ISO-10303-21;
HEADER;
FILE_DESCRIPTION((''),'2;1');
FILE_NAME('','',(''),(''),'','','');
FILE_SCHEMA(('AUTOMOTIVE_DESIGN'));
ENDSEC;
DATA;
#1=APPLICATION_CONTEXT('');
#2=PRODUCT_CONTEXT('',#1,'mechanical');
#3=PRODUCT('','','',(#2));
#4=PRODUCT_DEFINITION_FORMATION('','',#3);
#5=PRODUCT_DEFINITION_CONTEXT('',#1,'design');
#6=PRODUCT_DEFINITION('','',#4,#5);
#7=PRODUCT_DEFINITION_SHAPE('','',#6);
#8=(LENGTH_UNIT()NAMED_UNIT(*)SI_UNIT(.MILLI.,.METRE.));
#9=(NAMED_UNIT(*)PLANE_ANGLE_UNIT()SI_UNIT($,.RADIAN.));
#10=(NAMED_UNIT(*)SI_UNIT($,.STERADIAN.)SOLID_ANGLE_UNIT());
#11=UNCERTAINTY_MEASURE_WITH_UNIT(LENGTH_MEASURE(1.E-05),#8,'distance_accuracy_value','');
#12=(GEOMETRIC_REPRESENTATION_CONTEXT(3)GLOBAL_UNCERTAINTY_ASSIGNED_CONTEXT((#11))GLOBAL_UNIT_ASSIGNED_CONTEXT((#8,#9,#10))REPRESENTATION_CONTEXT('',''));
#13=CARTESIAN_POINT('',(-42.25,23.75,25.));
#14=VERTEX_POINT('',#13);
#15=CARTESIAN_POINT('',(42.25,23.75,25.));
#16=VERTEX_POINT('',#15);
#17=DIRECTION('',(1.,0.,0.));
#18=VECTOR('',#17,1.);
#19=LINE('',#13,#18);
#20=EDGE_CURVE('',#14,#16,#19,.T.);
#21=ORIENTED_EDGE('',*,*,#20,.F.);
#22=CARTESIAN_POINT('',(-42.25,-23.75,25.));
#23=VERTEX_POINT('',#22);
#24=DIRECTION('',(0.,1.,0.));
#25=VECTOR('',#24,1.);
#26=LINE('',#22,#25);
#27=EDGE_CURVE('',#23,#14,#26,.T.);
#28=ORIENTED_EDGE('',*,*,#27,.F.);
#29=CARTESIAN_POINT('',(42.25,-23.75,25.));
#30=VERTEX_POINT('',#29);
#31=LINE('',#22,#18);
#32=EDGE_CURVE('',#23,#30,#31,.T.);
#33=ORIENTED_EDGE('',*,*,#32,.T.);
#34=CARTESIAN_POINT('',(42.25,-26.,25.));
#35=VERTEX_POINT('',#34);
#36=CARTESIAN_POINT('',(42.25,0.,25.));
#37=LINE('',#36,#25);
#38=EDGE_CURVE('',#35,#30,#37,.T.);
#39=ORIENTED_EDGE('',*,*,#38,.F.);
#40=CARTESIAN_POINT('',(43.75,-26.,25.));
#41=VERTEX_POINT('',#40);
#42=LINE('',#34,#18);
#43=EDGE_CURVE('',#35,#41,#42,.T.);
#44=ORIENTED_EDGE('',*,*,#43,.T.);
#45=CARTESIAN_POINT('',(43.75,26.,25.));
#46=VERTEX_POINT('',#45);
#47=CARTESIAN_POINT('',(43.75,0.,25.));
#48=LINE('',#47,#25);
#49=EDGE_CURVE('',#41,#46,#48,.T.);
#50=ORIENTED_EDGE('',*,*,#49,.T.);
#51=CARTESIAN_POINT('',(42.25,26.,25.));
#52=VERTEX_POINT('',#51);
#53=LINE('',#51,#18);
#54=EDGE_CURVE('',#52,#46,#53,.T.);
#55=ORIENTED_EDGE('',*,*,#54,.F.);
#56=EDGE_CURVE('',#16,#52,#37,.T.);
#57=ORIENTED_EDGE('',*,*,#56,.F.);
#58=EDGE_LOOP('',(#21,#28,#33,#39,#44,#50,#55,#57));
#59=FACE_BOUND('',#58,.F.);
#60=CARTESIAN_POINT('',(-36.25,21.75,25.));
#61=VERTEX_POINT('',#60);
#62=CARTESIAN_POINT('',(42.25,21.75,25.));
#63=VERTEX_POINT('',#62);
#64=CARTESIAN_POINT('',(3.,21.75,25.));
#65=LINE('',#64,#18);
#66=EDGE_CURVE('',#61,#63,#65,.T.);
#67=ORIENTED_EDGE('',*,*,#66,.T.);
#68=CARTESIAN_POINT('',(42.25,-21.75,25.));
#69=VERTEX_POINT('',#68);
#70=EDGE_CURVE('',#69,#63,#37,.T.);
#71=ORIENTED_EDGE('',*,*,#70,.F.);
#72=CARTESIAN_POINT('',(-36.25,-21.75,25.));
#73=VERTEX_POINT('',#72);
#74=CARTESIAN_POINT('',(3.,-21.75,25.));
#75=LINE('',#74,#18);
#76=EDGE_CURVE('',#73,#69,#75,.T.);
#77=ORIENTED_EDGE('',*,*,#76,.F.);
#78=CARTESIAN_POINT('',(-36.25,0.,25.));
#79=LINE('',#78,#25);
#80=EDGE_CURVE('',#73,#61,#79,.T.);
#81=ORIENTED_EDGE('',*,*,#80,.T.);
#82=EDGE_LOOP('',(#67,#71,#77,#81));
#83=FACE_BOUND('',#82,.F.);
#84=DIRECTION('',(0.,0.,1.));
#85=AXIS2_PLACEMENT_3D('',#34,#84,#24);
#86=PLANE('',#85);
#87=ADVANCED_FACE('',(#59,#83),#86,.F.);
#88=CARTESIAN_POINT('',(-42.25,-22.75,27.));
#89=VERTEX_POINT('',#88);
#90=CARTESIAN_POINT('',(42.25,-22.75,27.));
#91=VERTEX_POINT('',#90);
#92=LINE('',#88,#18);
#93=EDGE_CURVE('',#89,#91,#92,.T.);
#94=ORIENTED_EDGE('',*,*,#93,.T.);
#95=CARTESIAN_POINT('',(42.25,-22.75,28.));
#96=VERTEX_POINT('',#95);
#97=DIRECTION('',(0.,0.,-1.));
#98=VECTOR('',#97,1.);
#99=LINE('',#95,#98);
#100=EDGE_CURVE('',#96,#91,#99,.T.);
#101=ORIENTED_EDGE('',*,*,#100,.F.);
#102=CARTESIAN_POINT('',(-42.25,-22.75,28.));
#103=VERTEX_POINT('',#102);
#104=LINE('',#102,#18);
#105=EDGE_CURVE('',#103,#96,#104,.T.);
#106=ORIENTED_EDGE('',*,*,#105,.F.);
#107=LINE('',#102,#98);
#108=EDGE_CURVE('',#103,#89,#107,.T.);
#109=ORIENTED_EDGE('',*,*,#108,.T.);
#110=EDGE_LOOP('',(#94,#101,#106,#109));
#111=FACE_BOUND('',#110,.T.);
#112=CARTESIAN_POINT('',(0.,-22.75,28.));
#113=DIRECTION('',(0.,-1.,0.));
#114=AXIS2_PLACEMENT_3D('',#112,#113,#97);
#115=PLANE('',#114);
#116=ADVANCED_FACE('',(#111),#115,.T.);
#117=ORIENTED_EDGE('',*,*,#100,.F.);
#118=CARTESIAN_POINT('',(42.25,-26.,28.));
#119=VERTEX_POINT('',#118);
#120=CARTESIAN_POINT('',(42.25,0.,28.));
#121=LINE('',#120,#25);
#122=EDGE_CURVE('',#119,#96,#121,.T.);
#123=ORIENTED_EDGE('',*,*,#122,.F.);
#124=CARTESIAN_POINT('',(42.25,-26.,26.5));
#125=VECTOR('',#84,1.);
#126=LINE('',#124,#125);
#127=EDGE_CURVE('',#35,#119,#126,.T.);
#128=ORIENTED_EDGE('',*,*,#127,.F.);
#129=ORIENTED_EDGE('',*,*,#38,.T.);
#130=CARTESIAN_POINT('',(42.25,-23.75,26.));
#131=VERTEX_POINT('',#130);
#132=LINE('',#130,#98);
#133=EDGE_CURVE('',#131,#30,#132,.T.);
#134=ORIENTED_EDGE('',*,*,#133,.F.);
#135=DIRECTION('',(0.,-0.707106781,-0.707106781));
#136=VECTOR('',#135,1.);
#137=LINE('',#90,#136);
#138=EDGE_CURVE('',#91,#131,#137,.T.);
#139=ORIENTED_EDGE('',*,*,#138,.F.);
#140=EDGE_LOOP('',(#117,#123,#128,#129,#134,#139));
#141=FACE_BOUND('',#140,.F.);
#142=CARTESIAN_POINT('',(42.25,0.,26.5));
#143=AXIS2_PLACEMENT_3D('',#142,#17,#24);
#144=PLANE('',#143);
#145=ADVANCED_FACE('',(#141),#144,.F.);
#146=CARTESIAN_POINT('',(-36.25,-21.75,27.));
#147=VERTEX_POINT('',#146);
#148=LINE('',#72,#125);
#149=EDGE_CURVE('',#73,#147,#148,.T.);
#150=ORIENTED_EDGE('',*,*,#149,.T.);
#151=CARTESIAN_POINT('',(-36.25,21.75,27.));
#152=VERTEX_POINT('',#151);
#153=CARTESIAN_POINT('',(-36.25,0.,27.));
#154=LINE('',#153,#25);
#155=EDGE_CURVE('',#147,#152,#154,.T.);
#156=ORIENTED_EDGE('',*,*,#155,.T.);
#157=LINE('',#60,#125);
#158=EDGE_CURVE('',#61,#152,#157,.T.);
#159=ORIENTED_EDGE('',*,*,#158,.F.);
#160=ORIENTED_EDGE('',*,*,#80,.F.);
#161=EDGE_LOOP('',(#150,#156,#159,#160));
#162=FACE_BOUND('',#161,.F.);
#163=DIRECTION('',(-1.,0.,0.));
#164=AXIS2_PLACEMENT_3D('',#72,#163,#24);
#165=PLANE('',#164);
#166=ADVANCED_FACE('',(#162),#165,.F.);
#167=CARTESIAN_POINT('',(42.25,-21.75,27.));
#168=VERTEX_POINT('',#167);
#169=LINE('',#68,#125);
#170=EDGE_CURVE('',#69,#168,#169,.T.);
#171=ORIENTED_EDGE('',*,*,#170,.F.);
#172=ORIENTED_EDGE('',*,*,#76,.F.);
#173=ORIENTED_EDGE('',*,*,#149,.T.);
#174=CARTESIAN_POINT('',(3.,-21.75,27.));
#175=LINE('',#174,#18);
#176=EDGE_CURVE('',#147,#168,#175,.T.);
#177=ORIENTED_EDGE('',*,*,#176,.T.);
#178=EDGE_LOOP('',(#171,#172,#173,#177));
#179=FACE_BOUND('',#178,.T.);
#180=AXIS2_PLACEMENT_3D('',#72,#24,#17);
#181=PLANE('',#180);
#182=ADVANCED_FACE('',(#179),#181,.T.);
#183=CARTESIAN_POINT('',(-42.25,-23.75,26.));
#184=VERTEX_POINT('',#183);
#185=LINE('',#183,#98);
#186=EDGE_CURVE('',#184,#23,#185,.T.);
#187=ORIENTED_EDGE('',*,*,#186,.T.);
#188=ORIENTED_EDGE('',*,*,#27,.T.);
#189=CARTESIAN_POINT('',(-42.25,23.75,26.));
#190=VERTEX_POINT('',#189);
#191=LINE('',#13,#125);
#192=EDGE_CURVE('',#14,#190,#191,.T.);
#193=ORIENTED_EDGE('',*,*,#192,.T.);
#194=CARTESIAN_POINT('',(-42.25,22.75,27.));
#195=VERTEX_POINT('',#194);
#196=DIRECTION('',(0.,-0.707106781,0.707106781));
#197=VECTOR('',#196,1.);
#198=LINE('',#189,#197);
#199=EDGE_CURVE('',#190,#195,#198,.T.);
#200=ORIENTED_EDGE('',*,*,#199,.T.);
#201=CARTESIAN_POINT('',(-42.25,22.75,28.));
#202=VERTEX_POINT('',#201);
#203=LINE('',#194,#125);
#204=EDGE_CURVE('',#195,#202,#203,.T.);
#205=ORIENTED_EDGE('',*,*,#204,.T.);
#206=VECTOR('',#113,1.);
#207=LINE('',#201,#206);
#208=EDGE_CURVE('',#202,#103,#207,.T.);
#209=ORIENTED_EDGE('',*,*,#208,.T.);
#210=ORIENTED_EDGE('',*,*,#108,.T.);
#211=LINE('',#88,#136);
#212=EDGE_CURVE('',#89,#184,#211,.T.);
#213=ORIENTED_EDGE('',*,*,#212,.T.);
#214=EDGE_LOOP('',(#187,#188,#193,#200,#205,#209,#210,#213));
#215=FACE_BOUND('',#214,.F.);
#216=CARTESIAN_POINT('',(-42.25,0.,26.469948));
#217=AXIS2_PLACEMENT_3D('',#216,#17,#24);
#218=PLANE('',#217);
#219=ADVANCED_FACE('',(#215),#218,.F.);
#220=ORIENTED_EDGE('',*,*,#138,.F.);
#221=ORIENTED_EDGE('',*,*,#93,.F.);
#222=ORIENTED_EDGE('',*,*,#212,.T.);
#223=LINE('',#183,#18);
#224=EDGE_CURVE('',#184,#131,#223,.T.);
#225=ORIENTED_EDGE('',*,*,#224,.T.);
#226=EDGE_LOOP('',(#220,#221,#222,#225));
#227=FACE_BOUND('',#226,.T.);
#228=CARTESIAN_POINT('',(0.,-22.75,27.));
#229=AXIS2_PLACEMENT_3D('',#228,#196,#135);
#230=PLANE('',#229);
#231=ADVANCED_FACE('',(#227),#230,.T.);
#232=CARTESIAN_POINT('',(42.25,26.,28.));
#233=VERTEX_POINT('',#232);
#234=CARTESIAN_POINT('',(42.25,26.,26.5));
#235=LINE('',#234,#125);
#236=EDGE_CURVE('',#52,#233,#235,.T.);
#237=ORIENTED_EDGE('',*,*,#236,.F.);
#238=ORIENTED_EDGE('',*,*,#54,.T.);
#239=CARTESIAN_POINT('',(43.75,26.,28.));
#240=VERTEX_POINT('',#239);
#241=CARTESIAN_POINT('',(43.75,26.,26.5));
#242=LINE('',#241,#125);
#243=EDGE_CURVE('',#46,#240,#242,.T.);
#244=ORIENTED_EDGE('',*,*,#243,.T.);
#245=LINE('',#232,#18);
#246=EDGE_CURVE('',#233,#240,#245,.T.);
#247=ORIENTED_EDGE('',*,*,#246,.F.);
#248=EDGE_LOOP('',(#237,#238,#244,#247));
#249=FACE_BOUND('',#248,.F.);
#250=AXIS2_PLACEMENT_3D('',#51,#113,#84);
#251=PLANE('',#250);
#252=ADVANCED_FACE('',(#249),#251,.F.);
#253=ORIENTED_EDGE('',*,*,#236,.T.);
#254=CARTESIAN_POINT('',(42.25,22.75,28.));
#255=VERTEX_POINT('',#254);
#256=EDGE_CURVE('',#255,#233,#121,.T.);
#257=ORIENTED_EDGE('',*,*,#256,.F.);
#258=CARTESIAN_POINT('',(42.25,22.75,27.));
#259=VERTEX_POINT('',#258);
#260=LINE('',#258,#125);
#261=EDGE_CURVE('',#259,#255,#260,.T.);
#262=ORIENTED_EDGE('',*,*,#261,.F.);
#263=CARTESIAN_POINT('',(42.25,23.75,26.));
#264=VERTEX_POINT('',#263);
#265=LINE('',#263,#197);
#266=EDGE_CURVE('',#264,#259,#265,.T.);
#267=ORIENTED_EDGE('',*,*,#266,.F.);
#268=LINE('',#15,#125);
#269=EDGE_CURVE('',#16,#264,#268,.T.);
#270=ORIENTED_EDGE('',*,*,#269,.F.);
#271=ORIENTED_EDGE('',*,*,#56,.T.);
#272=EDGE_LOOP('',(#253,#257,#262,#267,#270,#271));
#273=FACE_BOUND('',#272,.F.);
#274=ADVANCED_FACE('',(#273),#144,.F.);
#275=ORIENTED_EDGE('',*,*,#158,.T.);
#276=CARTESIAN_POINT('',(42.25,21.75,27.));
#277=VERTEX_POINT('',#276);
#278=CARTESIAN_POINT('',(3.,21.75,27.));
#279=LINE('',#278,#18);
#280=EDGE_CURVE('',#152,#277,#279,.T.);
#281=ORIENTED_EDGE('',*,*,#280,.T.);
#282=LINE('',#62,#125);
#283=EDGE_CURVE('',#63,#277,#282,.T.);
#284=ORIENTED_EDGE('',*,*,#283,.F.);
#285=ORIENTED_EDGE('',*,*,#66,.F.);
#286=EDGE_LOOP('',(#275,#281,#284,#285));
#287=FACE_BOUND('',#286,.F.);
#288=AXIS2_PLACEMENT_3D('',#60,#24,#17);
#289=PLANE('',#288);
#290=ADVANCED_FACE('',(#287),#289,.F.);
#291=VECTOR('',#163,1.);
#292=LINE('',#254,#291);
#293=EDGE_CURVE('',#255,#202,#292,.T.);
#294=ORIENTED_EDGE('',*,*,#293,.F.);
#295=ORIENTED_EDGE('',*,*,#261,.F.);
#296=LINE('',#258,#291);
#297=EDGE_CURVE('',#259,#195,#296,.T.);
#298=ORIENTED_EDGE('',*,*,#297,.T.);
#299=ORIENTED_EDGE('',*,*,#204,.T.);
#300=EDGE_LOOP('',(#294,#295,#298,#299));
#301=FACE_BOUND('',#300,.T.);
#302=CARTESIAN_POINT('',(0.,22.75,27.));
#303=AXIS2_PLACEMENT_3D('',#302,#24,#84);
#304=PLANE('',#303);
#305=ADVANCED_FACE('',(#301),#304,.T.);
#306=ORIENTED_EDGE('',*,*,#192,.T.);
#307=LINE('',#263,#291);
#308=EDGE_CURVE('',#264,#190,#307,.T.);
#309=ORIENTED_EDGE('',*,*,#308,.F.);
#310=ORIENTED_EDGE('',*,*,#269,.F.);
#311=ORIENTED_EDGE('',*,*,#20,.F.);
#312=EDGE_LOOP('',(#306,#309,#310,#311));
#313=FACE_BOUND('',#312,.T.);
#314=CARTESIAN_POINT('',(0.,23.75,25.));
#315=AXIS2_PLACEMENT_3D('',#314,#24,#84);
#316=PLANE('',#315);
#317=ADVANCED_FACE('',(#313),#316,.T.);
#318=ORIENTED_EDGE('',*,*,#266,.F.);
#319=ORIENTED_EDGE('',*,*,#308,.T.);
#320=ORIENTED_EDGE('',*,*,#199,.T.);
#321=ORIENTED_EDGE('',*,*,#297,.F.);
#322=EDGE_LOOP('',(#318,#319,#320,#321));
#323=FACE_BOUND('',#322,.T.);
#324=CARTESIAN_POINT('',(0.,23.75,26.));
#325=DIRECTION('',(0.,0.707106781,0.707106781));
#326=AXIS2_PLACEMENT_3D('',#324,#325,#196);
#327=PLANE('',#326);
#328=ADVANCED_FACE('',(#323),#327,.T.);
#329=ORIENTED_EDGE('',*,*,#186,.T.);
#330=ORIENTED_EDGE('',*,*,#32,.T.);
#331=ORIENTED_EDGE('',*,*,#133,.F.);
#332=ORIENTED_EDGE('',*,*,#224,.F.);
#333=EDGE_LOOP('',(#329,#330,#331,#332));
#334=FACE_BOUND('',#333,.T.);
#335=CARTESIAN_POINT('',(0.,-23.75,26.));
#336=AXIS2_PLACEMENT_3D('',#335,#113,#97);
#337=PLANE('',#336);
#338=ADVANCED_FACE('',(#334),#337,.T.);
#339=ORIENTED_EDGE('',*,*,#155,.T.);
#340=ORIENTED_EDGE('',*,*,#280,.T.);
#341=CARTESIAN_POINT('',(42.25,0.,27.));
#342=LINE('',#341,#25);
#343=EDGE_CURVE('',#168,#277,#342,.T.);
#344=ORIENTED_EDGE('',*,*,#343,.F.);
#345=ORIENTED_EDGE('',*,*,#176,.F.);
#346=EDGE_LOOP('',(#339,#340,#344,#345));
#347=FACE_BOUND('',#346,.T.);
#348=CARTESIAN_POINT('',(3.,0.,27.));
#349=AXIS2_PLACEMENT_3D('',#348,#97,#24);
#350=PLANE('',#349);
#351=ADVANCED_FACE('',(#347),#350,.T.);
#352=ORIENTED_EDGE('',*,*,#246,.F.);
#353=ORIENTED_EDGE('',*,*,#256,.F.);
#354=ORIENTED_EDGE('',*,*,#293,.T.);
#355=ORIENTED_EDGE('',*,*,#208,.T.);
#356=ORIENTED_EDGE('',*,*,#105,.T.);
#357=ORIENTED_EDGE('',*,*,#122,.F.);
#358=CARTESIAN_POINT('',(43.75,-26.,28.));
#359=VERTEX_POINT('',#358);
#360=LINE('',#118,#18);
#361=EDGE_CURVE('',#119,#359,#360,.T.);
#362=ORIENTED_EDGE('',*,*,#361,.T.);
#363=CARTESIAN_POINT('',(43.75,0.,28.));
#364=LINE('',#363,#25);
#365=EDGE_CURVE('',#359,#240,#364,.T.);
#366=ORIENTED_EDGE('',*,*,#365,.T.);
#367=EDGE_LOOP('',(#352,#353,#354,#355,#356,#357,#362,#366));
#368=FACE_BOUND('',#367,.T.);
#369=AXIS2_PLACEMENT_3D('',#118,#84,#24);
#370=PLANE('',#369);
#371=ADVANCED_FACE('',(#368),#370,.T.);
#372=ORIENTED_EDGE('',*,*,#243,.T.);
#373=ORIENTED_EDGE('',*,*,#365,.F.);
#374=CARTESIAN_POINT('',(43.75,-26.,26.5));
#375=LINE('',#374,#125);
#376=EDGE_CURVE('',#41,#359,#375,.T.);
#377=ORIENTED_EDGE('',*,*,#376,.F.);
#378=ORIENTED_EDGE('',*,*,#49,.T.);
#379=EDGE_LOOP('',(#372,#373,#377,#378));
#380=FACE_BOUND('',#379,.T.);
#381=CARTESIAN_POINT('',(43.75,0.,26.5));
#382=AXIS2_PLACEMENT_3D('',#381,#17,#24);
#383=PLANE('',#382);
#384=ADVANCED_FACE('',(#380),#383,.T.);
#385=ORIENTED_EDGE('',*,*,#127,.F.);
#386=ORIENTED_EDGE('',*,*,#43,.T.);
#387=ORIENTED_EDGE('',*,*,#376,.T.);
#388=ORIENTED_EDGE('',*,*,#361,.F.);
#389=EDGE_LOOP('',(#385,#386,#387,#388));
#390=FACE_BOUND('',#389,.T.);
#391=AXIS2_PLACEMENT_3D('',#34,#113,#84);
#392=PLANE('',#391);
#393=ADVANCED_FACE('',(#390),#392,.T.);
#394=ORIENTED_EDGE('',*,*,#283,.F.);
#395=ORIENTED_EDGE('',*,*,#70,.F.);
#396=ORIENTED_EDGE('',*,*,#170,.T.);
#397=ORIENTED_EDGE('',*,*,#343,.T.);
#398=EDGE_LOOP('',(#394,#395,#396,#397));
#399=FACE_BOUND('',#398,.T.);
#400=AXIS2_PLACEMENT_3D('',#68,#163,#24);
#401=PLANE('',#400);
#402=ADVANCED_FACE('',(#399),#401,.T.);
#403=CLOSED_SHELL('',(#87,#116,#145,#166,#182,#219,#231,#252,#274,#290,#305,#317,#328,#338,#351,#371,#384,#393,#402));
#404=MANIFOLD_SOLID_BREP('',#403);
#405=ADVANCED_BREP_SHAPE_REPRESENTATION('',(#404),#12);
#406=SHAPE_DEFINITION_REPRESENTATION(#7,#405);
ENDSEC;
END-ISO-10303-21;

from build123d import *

# Parameters (mm, degrees)
PAD003003002_DEPTH = 42.25
SKETCH009_W        = 52
SKETCH009_H        = 3
PAD003003003_DEPTH = 1.5
SKETCH010_W        = 43.5
SKETCH010_H        = 78.5
POCKET002_DEPTH    = 2


with BuildPart() as part:
    # Sketch008 → Pad003003002 (new body, symmetric)
    with BuildSketch(Plane.YZ):
        Polygon((22.75, 28), (-22.75, 28), (-22.75, 27), (-23.75, 26), (-23.75, 25), (23.75, 25), (23.75, 26), (22.75, 27), align=None)
    extrude(amount=PAD003003002_DEPTH, both=True)

    # Sketch009 → Pad003003003 (new body)
    with BuildSketch(Plane.YZ.offset(42.25)):
        with Locations((0, 26.5)):
            Rectangle(SKETCH009_W, SKETCH009_H)
    extrude(amount=PAD003003003_DEPTH)

    # Sketch010 → Pocket002 (cut)
    with BuildSketch(Plane.YX.offset(-25)):
        with Locations((0, 3)):
            Rectangle(SKETCH010_W, SKETCH010_H)
    extrude(amount=-POCKET002_DEPTH, mode=Mode.SUBTRACT)


solid = part.part
